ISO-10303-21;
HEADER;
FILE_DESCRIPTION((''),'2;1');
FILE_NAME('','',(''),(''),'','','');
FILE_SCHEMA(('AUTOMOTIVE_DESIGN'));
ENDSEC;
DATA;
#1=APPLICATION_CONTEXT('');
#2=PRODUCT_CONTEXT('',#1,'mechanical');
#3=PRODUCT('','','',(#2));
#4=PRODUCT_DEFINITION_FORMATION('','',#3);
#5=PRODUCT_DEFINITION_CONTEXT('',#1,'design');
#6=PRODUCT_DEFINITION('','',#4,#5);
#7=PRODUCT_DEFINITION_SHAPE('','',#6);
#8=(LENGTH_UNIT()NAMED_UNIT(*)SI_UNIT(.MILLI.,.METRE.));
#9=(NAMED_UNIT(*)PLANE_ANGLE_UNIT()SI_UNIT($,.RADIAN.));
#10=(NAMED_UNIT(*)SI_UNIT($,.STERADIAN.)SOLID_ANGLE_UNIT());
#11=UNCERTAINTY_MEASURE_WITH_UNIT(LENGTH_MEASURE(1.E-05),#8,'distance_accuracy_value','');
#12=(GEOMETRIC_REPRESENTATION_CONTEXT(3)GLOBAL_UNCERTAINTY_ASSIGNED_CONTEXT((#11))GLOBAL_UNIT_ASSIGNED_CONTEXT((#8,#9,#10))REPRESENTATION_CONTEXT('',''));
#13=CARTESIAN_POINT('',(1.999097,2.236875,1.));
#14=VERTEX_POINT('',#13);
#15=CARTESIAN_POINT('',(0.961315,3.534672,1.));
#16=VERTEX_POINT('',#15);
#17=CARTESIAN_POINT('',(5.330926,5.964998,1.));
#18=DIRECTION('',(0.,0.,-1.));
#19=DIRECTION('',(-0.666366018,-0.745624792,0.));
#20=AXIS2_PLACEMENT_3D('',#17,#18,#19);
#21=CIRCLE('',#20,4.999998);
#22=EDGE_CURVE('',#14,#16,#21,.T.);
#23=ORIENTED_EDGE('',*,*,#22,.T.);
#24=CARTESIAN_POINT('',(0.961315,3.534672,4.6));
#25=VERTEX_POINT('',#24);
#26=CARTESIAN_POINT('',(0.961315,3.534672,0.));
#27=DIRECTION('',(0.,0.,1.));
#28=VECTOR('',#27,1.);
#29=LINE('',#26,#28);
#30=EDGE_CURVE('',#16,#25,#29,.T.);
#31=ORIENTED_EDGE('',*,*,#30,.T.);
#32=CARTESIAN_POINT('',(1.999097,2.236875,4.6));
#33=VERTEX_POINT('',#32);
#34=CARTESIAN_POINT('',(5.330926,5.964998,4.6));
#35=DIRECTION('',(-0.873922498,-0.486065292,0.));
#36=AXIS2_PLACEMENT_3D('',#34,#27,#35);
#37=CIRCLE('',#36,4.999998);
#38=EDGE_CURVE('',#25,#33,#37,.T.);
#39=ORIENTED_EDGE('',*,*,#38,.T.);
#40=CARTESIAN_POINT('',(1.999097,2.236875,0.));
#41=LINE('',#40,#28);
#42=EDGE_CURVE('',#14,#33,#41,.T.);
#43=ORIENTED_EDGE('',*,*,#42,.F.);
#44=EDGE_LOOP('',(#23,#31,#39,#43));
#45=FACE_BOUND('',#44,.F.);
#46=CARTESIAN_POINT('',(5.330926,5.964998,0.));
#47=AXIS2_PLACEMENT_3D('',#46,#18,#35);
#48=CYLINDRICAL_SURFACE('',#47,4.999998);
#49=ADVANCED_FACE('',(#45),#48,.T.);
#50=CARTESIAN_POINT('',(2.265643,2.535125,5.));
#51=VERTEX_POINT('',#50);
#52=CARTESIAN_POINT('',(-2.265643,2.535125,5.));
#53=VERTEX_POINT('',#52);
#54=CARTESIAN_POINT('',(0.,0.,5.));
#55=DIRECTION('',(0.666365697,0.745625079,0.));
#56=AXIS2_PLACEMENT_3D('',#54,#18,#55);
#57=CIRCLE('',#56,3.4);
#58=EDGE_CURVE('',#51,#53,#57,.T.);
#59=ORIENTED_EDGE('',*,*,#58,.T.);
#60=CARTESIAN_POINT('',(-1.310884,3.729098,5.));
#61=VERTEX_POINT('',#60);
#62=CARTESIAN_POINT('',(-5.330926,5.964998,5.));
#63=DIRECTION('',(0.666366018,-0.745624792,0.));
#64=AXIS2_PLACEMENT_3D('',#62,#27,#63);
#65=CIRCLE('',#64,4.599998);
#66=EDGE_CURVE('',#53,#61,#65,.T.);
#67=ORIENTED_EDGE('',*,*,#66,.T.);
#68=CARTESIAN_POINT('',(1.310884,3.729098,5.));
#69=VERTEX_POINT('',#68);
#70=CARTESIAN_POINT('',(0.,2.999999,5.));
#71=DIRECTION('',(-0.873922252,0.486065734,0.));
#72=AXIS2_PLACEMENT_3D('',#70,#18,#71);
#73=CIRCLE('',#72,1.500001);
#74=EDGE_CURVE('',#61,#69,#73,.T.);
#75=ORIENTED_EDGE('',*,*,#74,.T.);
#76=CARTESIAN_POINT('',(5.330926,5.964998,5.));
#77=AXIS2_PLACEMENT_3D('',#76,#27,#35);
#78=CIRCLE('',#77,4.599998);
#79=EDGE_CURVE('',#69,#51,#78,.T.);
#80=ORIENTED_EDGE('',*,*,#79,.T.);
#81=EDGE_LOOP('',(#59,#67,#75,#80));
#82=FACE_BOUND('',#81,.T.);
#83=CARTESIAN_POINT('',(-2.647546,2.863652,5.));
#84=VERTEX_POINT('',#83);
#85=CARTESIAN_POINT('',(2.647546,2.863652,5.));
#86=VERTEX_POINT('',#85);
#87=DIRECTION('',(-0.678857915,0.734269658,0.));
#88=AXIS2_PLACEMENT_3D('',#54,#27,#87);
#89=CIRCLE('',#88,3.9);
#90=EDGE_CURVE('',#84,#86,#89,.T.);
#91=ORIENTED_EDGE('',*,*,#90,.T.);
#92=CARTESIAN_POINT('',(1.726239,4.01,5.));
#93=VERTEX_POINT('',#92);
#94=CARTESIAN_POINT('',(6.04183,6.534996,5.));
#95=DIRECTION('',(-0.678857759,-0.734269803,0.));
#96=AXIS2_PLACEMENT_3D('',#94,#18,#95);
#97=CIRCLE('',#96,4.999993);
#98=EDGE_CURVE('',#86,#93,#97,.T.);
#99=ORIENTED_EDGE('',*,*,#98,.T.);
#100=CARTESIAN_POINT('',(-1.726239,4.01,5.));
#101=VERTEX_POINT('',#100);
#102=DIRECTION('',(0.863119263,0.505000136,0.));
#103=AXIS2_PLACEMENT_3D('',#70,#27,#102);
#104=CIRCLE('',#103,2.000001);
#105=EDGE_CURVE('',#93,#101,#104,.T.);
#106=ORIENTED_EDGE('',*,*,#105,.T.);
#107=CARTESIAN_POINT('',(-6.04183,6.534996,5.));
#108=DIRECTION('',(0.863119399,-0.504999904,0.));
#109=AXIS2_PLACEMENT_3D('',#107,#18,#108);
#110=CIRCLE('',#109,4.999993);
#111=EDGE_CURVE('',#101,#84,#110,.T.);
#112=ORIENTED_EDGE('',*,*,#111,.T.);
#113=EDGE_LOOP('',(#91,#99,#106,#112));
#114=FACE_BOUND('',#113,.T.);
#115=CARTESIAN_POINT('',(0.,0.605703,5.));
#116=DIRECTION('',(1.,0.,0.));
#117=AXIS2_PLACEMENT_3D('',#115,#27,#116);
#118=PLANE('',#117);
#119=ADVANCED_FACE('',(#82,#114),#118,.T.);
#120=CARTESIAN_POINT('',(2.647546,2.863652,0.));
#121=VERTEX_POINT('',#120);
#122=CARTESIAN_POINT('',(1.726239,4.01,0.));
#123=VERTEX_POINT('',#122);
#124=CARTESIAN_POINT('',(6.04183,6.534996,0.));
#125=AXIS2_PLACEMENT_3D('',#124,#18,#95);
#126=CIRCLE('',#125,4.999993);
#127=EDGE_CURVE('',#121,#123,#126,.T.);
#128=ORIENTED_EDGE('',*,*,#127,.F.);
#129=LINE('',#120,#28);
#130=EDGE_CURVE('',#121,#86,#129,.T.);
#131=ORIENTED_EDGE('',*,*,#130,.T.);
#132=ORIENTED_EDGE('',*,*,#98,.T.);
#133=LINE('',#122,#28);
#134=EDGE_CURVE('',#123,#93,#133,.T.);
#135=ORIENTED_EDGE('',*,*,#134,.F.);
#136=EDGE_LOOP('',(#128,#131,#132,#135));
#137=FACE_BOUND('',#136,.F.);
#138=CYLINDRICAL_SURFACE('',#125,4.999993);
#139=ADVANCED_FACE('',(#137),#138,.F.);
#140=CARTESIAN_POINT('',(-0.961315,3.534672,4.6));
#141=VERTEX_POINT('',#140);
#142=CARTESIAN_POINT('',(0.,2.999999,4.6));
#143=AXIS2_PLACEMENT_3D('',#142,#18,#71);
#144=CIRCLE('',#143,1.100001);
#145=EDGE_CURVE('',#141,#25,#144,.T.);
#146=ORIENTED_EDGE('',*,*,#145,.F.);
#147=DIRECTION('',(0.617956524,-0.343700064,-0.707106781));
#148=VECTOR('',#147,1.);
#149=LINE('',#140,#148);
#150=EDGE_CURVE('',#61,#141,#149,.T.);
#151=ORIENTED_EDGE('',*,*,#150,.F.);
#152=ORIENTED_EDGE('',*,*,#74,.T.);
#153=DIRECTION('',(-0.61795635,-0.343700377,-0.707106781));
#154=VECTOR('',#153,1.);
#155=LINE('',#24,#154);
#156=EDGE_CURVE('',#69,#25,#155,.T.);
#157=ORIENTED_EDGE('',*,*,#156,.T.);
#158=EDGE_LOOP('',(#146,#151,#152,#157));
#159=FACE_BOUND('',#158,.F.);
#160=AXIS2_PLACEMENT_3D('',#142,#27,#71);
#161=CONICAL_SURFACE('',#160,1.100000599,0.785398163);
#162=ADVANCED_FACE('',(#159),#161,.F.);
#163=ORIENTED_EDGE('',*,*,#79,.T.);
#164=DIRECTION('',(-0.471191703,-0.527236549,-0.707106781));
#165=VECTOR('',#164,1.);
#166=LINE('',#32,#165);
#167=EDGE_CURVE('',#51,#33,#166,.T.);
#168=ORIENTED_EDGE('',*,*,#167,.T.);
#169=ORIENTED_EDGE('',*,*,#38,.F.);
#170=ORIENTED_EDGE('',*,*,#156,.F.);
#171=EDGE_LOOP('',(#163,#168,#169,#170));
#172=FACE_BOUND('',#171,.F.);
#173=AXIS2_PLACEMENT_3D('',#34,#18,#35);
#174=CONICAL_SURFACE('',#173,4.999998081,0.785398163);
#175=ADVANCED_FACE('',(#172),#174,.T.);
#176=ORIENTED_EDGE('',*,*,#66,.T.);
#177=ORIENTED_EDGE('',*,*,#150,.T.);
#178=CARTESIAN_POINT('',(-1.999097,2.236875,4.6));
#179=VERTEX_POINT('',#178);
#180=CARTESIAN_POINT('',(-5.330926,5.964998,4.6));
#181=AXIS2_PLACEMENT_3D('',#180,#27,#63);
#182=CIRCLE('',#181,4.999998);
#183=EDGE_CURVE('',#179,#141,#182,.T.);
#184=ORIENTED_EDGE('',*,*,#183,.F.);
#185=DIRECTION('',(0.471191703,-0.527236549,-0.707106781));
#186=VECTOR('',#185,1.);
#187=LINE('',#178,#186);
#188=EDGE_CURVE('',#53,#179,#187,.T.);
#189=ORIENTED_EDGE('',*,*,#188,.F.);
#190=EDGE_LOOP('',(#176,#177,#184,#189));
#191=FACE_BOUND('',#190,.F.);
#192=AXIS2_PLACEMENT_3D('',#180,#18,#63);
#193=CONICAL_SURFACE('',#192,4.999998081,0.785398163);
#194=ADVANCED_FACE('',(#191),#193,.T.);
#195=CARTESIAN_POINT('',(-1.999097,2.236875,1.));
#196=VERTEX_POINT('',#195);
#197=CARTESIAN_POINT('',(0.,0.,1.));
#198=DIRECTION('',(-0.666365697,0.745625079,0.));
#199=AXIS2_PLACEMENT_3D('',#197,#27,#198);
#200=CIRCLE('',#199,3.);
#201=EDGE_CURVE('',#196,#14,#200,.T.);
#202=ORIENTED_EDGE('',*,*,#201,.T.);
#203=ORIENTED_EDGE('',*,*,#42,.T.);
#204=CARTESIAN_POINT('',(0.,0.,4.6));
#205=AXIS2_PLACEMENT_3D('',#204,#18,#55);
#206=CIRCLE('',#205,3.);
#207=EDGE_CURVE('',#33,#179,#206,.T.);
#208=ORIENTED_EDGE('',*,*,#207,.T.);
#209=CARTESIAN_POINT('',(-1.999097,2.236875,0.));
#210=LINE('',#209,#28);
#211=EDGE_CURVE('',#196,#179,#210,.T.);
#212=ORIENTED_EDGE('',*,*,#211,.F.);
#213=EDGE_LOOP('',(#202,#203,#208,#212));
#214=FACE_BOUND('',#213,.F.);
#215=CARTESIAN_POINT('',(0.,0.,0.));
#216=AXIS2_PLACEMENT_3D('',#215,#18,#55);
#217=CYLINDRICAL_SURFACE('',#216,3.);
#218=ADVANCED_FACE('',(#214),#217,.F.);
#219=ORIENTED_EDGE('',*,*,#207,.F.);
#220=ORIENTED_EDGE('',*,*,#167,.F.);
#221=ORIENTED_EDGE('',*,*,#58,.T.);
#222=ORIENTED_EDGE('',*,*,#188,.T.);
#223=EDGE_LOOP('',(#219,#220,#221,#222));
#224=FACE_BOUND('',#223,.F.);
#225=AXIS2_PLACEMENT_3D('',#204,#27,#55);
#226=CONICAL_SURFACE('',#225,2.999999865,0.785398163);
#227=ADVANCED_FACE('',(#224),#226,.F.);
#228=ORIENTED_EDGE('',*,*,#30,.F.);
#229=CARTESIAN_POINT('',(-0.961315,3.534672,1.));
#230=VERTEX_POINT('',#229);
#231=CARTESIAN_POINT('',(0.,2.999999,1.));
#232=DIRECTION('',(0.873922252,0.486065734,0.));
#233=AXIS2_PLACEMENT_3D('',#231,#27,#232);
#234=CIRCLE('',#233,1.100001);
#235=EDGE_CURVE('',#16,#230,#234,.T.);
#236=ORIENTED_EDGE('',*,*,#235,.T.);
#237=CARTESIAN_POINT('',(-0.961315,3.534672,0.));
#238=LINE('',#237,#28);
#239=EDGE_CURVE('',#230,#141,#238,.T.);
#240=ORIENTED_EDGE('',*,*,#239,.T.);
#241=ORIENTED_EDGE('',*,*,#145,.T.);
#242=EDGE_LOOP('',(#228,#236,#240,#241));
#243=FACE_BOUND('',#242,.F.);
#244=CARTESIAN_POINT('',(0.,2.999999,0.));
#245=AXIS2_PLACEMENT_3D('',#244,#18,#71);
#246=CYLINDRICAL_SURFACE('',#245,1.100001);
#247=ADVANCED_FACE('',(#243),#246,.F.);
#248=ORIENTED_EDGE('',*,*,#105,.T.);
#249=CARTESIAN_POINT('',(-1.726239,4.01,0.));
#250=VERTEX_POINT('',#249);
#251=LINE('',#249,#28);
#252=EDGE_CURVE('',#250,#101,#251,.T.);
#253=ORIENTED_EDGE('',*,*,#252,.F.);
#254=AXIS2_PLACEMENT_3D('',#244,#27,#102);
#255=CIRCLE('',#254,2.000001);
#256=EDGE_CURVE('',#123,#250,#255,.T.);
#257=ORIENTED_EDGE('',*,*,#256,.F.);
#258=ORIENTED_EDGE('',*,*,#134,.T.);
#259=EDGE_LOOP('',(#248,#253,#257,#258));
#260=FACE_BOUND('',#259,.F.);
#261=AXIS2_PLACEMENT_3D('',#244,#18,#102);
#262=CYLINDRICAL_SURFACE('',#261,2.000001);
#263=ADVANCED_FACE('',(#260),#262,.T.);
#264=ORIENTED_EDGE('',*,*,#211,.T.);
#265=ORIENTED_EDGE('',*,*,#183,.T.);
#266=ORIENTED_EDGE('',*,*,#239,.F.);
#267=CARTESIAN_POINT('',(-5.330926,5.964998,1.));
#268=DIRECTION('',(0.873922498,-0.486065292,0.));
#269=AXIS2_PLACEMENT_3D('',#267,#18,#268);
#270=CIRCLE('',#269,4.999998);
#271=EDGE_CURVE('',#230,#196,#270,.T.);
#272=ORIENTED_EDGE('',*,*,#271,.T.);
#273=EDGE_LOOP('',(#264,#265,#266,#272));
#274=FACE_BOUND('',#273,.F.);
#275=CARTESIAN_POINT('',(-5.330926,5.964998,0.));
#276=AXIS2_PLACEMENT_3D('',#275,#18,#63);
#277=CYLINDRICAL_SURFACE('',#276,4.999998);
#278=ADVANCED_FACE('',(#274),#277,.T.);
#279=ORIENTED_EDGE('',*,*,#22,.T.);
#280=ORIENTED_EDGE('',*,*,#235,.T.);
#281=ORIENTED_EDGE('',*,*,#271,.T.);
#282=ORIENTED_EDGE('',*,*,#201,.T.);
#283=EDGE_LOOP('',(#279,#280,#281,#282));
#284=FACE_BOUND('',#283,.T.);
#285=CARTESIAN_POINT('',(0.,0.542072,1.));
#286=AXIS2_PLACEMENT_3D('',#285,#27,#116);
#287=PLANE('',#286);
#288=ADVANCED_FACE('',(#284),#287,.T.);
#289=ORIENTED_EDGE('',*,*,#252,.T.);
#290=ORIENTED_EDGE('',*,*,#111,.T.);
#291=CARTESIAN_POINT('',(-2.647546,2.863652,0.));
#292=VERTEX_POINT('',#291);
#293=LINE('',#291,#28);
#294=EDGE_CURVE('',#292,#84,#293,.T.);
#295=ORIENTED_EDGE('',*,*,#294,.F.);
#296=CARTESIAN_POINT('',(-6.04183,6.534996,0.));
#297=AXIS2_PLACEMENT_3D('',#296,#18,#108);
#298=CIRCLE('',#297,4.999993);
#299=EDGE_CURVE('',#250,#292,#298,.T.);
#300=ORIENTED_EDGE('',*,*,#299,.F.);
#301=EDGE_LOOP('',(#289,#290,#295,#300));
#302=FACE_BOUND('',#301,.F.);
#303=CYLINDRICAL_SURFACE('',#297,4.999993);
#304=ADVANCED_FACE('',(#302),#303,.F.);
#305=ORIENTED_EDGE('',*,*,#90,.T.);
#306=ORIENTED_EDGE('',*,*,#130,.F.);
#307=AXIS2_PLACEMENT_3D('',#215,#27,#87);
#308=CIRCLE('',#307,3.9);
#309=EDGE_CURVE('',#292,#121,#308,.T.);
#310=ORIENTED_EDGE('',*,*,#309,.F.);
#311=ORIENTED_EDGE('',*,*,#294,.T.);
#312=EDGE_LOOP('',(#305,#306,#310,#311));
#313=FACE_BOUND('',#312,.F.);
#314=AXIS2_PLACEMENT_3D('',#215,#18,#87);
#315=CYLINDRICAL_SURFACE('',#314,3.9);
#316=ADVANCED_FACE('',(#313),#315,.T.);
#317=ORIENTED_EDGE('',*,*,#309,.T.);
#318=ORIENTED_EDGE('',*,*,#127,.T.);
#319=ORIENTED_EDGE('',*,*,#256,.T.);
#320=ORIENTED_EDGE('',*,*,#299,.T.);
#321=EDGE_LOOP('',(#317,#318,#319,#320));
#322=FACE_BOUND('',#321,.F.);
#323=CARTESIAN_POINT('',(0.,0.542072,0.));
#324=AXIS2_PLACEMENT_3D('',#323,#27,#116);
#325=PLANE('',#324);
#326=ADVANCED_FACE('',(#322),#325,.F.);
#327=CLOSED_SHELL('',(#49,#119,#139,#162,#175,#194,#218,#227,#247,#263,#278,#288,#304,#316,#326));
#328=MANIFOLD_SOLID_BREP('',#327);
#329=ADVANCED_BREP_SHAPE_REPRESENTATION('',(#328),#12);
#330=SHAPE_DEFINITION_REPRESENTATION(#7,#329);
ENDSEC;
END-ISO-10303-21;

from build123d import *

# Parameters (mm, degrees)
F1_DEPTH = 5
F3_DEPTH = 1
F4_SIZE  = 0.4


with BuildPart() as f1:
    # F0 (on Top) → F1 (new body)
    with BuildSketch(Plane.XY):
        with BuildLine():
            ThreePointArc((-1.726239, 4.01), (-2.144514, 3.402767), (-2.647546, 2.863652))
            ThreePointArc((-2.647546, 2.863652), (0, -3.9), (2.647546, 2.863652))
            ThreePointArc((2.647546, 2.863652), (2.144514, 3.402767), (1.726239, 4.01))
            ThreePointArc((1.726239, 4.01), (0, 5), (-1.726239, 4.01))
        make_face()
        with BuildLine():
            ThreePointArc((1.999097, 2.236875), (0, -3), (-1.999097, 2.236875))
            ThreePointArc((-1.999097, 2.236875), (-1.425915, 2.842359), (-0.961315, 3.534672))
            ThreePointArc((-0.961315, 3.534672), (0, 4.1), (0.961315, 3.534672))
            ThreePointArc((0.961315, 3.534672), (1.425915, 2.842359), (1.999097, 2.236875))
        make_face(mode=Mode.SUBTRACT)
    extrude(amount=F1_DEPTH)

    # F2 (on Top) → F3 (join)
    with BuildSketch(Plane.XY):
        with BuildLine():
            ThreePointArc((-0.961315, 3.534672), (-1.425915, 2.842359), (-1.999097, 2.236875))
            ThreePointArc((-1.999097, 2.236875), (0, -3), (1.999097, 2.236875))
            ThreePointArc((1.999097, 2.236875), (1.425915, 2.842359), (0.961315, 3.534672))
            ThreePointArc((0.961315, 3.534672), (0, 4.1), (-0.961315, 3.534672))
        make_face()
    extrude(amount=F3_DEPTH)

    # F4
    f4_edges = [f1.edges().sort_by_distance(p)[0] for p in [
        (0, -3, 5),
    ]]
    chamfer(f4_edges, length=F4_SIZE)


solid = f1.part
